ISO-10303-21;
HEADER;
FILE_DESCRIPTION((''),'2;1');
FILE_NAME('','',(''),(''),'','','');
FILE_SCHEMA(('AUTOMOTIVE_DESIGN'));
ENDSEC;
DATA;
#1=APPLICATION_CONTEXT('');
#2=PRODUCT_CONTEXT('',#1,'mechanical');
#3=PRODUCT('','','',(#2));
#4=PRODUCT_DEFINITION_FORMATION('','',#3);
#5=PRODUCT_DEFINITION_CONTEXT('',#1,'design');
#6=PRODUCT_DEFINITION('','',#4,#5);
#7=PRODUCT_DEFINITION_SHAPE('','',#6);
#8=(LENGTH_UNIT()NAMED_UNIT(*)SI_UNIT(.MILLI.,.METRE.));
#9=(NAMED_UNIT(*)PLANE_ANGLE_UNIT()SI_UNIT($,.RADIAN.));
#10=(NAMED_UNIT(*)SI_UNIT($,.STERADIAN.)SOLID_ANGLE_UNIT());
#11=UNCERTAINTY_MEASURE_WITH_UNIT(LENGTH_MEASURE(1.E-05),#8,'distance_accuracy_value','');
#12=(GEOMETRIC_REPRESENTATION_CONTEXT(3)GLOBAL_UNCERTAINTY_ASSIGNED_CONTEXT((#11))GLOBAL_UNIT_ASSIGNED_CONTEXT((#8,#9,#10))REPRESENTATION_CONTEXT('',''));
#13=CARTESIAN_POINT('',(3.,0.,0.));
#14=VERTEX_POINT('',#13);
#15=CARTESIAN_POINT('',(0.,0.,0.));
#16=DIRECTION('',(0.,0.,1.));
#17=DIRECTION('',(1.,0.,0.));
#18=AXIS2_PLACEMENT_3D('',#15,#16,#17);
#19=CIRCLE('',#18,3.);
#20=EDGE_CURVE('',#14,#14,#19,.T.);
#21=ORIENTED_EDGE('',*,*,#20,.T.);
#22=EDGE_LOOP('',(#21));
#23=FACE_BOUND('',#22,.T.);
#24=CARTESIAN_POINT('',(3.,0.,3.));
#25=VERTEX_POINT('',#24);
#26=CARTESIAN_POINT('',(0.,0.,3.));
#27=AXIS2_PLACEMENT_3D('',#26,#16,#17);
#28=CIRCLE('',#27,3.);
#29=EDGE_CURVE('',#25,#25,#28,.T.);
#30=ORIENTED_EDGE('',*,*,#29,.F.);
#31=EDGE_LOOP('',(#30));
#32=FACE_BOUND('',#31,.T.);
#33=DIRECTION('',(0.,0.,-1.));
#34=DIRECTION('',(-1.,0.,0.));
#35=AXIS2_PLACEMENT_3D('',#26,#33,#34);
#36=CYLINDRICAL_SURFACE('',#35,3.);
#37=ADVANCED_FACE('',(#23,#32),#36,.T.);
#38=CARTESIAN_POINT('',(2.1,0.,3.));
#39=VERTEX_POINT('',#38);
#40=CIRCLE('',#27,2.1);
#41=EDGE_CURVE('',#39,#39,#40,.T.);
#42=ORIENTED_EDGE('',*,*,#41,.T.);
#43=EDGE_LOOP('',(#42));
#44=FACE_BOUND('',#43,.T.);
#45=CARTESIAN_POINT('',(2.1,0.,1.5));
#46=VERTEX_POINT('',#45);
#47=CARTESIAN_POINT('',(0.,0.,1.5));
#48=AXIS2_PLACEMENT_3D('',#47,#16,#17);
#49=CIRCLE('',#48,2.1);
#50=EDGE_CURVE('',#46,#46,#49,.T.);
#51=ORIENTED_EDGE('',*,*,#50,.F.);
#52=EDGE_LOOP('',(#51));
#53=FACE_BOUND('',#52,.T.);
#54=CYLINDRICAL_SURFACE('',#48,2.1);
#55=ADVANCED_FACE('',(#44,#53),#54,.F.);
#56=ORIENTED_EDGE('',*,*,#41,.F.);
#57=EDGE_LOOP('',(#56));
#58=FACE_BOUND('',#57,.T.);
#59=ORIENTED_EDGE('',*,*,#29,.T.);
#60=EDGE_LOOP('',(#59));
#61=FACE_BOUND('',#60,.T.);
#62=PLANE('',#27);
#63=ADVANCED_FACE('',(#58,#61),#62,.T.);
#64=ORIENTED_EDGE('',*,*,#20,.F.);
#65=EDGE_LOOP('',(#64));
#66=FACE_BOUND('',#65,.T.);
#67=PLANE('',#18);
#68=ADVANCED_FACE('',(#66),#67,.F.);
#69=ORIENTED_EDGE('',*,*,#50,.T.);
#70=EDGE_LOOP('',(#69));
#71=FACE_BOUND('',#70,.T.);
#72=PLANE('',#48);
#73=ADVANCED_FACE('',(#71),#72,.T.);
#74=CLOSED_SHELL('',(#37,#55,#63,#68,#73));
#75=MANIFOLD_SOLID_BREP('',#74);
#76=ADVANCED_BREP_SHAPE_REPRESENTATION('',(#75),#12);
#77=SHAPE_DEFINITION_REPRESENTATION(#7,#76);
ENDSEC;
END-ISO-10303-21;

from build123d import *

# Parameters (mm, degrees)
SKETCH_1_R          = 3
EXTRUDE_1_DEPTH     = 3
SKETCH_2_R          = 2.1
CUT_EXTRUDE_1_DEPTH = 1.5


with BuildPart() as part:
    # Эскиз1 → Бобышка-Вытянуть1 (new body)
    with BuildSketch(Plane.XY):
        Circle(SKETCH_1_R)
    extrude(amount=EXTRUDE_1_DEPTH)

    # Эскиз2 → Вырез-Вытянуть1 (cut)
    with BuildSketch(Plane.XY.offset(3)):
        Circle(SKETCH_2_R)
    extrude(amount=-CUT_EXTRUDE_1_DEPTH, mode=Mode.SUBTRACT)


solid = part.part
